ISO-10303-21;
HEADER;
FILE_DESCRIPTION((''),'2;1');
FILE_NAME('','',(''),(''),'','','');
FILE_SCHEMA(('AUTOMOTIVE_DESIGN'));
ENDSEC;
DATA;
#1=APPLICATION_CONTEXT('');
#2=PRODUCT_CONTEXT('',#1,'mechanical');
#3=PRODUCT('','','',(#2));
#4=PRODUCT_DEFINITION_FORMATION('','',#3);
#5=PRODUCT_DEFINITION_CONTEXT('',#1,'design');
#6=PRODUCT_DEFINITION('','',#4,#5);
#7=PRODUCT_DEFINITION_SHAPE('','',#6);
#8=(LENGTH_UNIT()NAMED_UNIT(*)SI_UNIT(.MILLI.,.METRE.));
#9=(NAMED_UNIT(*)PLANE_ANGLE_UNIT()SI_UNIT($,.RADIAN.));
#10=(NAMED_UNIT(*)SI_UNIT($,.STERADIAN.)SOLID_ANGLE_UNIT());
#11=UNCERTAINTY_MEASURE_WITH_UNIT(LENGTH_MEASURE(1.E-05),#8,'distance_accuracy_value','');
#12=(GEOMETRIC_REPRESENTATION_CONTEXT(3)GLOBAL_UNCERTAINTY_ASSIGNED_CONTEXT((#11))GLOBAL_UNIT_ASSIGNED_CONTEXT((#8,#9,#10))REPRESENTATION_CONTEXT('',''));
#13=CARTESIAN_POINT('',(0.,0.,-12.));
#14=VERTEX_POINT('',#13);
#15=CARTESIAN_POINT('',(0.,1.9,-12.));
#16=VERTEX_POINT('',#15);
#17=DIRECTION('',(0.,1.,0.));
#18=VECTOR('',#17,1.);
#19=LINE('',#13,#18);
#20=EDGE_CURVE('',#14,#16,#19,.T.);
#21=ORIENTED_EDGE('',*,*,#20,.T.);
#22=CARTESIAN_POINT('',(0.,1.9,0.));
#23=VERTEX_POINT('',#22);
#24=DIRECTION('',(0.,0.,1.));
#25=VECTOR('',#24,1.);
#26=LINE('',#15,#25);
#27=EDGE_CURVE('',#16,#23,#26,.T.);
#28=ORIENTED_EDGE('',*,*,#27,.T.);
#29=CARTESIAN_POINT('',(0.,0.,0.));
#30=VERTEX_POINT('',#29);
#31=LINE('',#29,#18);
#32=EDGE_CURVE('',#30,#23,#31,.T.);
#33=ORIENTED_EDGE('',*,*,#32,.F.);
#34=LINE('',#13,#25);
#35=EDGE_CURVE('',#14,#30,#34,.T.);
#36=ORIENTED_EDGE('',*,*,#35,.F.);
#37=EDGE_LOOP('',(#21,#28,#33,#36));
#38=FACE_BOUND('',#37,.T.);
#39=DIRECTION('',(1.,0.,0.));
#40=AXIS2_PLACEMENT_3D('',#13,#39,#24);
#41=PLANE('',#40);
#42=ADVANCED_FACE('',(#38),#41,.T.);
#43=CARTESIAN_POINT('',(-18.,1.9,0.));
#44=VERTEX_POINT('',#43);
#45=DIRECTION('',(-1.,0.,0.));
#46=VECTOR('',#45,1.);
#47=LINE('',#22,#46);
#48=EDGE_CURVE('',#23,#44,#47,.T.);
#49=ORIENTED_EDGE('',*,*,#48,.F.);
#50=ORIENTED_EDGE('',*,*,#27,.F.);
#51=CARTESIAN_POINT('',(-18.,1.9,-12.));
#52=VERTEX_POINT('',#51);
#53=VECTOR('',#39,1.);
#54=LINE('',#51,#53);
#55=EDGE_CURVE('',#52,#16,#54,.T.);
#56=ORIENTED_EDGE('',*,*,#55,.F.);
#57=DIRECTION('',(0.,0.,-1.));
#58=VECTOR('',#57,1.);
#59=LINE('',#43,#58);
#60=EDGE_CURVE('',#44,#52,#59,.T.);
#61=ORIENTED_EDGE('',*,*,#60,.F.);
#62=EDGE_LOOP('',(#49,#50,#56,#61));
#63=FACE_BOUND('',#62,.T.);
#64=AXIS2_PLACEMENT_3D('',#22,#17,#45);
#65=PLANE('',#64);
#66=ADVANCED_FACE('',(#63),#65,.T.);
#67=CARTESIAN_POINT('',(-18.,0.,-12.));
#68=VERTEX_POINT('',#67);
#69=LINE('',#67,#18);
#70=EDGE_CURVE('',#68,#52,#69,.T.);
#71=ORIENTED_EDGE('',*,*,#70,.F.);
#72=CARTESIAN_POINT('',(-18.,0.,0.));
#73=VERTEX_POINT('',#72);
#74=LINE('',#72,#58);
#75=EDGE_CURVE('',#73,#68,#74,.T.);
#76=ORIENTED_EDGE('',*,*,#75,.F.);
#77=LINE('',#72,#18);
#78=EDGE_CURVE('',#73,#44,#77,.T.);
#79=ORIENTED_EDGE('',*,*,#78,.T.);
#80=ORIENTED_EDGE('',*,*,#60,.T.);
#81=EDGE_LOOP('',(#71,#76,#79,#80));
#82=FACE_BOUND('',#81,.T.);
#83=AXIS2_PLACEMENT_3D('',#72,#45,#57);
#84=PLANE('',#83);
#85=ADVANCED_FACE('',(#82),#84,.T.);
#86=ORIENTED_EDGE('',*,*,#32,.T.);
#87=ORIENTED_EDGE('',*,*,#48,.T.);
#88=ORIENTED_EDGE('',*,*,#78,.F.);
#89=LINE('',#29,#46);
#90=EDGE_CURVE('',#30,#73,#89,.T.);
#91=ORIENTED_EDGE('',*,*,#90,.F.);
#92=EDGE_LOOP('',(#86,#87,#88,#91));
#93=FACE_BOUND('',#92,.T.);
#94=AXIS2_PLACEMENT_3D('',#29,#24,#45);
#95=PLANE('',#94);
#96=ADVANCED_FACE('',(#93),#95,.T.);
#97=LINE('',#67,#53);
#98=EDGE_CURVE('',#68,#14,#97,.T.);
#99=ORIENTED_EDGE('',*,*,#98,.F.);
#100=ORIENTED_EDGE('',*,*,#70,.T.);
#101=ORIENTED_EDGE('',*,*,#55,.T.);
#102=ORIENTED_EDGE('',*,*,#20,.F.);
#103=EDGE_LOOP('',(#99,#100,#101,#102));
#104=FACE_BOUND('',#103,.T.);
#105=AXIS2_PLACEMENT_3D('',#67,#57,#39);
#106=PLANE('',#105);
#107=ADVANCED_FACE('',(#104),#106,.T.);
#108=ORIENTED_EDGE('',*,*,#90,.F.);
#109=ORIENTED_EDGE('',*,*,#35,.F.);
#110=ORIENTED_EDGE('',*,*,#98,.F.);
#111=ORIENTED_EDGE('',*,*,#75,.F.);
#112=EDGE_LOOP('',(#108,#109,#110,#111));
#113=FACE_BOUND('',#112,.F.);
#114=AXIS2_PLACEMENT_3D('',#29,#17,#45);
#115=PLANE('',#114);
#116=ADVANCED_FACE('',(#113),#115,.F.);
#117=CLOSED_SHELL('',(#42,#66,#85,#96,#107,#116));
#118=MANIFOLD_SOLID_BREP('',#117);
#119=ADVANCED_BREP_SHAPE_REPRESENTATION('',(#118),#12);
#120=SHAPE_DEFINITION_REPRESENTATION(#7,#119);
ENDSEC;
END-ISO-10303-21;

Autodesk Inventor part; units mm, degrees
ref_plane "YZ Plane" through (0, 0, 0) normal (1, 0, 0) x (0, 1, 0)
ref_plane "XZ Plane" through (0, 0, 0) normal (0, 1, 0) x (-1, 0, 0)
ref_plane "XY Plane" through (0, 0, 0) normal (0, 0, 1) x (1, 0, 0)
sketch "Sketch1" plane through (0, 0, 0) normal (0, 1, 0) x (-1, 0, 0)
  line L0 (0, 0) -> (18, 0)
  line L1 (18, 0) -> (18, -12)
  line L2 (18, -12) -> (0, -12)
  line L3 (0, -12) -> (0, 0)
  dimension "d0" = 18
  dimension "d1" = 12
extrude "Extrusion1" add sketch "Sketch1" along normal blind 1.9
properties part number "shim_2mm"
